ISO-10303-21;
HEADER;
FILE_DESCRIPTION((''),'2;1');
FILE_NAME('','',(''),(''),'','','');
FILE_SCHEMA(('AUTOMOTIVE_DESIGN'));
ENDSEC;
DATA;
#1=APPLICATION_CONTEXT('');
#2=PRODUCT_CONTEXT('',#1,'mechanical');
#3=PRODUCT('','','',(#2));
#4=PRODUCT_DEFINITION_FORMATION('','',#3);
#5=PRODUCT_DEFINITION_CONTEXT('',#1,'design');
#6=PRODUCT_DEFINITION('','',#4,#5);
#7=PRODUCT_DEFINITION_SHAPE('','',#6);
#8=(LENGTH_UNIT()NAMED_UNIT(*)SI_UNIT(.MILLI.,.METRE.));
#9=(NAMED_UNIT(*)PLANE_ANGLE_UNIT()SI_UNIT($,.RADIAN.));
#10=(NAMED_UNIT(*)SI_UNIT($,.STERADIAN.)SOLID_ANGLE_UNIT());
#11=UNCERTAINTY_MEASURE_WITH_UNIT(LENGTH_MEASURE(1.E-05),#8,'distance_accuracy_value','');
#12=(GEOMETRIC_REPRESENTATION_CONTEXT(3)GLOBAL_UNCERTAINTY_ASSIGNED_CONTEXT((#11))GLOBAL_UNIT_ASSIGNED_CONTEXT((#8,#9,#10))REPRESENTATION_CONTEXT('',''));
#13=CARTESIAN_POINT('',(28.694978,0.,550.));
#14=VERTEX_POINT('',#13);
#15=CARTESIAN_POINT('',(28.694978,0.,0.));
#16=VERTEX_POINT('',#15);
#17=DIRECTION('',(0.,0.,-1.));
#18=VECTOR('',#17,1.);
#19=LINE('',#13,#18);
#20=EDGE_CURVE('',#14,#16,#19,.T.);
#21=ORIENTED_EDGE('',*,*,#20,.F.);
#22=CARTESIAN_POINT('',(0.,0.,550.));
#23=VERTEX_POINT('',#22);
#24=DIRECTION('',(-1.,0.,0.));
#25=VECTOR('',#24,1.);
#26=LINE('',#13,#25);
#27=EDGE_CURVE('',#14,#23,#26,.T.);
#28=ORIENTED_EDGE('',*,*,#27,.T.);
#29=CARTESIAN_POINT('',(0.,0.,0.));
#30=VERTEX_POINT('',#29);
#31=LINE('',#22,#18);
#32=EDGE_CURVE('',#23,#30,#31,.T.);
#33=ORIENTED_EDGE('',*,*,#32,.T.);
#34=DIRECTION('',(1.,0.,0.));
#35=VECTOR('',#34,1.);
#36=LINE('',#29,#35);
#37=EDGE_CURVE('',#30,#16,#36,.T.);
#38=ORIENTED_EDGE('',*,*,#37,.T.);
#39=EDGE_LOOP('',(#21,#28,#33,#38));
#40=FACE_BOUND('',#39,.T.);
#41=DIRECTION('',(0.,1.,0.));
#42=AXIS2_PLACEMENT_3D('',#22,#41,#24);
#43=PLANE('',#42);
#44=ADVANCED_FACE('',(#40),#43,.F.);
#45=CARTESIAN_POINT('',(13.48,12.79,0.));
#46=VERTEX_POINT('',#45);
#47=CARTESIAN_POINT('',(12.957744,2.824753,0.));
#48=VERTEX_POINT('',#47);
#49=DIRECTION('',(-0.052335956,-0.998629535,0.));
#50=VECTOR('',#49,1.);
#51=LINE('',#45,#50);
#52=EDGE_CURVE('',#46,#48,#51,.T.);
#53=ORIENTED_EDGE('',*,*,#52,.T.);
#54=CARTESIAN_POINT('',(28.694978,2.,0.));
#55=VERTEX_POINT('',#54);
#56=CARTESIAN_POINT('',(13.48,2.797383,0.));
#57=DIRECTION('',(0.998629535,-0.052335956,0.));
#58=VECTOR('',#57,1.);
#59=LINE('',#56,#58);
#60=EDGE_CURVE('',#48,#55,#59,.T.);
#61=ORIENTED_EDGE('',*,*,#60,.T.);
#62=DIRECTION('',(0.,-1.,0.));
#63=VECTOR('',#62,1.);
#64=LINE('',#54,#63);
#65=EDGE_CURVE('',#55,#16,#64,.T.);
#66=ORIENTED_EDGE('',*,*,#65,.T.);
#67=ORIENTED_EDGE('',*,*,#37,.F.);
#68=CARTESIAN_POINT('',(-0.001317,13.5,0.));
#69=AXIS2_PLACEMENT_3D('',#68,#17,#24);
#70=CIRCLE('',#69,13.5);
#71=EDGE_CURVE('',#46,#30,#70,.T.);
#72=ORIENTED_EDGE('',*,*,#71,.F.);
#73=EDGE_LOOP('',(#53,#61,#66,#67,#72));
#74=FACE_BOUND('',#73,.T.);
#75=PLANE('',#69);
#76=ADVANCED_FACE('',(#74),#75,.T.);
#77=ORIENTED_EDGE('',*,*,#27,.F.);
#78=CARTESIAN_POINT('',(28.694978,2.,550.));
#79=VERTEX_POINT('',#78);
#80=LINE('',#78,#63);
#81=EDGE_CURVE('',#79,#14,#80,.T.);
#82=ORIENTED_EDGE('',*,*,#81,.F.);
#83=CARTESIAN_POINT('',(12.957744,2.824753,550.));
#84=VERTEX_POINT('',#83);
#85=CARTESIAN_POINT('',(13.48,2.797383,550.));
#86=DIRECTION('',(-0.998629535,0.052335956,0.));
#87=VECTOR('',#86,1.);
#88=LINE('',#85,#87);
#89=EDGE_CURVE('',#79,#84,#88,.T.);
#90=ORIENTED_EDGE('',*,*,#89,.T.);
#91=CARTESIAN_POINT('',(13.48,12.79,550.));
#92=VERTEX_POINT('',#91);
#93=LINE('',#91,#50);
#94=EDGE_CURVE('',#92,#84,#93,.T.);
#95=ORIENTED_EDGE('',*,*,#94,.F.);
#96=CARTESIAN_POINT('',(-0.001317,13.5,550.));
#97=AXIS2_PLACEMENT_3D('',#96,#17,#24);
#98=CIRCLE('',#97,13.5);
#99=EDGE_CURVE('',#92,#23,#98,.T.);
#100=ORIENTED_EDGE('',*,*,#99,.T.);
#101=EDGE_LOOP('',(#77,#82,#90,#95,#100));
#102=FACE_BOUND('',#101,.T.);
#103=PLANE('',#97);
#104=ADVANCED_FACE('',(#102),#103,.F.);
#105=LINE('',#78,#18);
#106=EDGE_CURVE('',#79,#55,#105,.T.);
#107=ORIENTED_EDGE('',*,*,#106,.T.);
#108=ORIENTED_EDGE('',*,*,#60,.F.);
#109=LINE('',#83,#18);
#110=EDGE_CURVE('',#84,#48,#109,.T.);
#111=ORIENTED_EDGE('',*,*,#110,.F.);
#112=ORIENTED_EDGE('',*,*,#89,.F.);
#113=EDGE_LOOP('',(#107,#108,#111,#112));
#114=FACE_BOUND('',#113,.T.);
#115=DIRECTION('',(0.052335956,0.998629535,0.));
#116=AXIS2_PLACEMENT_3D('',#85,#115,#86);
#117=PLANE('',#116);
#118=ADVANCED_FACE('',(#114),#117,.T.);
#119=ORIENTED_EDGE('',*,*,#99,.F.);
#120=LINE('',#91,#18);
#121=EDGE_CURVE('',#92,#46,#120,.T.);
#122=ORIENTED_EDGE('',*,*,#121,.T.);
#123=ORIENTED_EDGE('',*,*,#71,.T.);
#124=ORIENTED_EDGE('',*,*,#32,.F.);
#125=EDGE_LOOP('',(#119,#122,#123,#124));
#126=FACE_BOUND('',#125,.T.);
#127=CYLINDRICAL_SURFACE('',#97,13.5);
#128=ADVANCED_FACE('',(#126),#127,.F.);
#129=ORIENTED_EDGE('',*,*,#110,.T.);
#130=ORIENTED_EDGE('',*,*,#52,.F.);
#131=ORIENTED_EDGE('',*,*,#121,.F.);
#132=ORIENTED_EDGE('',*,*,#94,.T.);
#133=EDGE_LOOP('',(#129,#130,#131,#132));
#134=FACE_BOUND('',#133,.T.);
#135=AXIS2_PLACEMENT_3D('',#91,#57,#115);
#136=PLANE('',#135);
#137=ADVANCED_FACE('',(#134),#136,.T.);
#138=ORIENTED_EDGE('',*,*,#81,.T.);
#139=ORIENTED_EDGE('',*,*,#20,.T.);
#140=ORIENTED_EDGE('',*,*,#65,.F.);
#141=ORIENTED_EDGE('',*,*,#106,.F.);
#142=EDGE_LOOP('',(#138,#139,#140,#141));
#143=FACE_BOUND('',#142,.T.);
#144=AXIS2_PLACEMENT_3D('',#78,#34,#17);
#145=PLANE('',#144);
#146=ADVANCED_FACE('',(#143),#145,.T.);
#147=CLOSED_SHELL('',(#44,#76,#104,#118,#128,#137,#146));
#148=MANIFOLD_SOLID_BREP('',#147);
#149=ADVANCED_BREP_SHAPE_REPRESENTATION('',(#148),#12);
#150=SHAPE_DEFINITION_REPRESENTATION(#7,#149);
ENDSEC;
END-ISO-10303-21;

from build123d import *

# Parameters (mm, degrees)
BOSS_EXTRUDE1_DEPTH = 550


with BuildPart() as part:
    # Sketch1 → Boss-Extrude1 (new body)
    with BuildSketch(Plane.XY):
        with BuildLine():
            Line((0, 0), (13.48, 0))
            Line((13.48, 0), (28.694977728, 0))
            Line((28.694977728, 0), (28.694977728, 2))
            Line((28.694977728, 2), (13.48, 2.797383195))
            Line((13.48, 2.797383195), (12.957743561, 2.824753495))
            Line((12.957743561, 2.824753495), (13.48, 12.79))
            ThreePointArc((13.48, 12.79), (9.290689317, 3.706705082), (0, 0))
        make_face()
    extrude(amount=BOSS_EXTRUDE1_DEPTH)


solid = part.part
